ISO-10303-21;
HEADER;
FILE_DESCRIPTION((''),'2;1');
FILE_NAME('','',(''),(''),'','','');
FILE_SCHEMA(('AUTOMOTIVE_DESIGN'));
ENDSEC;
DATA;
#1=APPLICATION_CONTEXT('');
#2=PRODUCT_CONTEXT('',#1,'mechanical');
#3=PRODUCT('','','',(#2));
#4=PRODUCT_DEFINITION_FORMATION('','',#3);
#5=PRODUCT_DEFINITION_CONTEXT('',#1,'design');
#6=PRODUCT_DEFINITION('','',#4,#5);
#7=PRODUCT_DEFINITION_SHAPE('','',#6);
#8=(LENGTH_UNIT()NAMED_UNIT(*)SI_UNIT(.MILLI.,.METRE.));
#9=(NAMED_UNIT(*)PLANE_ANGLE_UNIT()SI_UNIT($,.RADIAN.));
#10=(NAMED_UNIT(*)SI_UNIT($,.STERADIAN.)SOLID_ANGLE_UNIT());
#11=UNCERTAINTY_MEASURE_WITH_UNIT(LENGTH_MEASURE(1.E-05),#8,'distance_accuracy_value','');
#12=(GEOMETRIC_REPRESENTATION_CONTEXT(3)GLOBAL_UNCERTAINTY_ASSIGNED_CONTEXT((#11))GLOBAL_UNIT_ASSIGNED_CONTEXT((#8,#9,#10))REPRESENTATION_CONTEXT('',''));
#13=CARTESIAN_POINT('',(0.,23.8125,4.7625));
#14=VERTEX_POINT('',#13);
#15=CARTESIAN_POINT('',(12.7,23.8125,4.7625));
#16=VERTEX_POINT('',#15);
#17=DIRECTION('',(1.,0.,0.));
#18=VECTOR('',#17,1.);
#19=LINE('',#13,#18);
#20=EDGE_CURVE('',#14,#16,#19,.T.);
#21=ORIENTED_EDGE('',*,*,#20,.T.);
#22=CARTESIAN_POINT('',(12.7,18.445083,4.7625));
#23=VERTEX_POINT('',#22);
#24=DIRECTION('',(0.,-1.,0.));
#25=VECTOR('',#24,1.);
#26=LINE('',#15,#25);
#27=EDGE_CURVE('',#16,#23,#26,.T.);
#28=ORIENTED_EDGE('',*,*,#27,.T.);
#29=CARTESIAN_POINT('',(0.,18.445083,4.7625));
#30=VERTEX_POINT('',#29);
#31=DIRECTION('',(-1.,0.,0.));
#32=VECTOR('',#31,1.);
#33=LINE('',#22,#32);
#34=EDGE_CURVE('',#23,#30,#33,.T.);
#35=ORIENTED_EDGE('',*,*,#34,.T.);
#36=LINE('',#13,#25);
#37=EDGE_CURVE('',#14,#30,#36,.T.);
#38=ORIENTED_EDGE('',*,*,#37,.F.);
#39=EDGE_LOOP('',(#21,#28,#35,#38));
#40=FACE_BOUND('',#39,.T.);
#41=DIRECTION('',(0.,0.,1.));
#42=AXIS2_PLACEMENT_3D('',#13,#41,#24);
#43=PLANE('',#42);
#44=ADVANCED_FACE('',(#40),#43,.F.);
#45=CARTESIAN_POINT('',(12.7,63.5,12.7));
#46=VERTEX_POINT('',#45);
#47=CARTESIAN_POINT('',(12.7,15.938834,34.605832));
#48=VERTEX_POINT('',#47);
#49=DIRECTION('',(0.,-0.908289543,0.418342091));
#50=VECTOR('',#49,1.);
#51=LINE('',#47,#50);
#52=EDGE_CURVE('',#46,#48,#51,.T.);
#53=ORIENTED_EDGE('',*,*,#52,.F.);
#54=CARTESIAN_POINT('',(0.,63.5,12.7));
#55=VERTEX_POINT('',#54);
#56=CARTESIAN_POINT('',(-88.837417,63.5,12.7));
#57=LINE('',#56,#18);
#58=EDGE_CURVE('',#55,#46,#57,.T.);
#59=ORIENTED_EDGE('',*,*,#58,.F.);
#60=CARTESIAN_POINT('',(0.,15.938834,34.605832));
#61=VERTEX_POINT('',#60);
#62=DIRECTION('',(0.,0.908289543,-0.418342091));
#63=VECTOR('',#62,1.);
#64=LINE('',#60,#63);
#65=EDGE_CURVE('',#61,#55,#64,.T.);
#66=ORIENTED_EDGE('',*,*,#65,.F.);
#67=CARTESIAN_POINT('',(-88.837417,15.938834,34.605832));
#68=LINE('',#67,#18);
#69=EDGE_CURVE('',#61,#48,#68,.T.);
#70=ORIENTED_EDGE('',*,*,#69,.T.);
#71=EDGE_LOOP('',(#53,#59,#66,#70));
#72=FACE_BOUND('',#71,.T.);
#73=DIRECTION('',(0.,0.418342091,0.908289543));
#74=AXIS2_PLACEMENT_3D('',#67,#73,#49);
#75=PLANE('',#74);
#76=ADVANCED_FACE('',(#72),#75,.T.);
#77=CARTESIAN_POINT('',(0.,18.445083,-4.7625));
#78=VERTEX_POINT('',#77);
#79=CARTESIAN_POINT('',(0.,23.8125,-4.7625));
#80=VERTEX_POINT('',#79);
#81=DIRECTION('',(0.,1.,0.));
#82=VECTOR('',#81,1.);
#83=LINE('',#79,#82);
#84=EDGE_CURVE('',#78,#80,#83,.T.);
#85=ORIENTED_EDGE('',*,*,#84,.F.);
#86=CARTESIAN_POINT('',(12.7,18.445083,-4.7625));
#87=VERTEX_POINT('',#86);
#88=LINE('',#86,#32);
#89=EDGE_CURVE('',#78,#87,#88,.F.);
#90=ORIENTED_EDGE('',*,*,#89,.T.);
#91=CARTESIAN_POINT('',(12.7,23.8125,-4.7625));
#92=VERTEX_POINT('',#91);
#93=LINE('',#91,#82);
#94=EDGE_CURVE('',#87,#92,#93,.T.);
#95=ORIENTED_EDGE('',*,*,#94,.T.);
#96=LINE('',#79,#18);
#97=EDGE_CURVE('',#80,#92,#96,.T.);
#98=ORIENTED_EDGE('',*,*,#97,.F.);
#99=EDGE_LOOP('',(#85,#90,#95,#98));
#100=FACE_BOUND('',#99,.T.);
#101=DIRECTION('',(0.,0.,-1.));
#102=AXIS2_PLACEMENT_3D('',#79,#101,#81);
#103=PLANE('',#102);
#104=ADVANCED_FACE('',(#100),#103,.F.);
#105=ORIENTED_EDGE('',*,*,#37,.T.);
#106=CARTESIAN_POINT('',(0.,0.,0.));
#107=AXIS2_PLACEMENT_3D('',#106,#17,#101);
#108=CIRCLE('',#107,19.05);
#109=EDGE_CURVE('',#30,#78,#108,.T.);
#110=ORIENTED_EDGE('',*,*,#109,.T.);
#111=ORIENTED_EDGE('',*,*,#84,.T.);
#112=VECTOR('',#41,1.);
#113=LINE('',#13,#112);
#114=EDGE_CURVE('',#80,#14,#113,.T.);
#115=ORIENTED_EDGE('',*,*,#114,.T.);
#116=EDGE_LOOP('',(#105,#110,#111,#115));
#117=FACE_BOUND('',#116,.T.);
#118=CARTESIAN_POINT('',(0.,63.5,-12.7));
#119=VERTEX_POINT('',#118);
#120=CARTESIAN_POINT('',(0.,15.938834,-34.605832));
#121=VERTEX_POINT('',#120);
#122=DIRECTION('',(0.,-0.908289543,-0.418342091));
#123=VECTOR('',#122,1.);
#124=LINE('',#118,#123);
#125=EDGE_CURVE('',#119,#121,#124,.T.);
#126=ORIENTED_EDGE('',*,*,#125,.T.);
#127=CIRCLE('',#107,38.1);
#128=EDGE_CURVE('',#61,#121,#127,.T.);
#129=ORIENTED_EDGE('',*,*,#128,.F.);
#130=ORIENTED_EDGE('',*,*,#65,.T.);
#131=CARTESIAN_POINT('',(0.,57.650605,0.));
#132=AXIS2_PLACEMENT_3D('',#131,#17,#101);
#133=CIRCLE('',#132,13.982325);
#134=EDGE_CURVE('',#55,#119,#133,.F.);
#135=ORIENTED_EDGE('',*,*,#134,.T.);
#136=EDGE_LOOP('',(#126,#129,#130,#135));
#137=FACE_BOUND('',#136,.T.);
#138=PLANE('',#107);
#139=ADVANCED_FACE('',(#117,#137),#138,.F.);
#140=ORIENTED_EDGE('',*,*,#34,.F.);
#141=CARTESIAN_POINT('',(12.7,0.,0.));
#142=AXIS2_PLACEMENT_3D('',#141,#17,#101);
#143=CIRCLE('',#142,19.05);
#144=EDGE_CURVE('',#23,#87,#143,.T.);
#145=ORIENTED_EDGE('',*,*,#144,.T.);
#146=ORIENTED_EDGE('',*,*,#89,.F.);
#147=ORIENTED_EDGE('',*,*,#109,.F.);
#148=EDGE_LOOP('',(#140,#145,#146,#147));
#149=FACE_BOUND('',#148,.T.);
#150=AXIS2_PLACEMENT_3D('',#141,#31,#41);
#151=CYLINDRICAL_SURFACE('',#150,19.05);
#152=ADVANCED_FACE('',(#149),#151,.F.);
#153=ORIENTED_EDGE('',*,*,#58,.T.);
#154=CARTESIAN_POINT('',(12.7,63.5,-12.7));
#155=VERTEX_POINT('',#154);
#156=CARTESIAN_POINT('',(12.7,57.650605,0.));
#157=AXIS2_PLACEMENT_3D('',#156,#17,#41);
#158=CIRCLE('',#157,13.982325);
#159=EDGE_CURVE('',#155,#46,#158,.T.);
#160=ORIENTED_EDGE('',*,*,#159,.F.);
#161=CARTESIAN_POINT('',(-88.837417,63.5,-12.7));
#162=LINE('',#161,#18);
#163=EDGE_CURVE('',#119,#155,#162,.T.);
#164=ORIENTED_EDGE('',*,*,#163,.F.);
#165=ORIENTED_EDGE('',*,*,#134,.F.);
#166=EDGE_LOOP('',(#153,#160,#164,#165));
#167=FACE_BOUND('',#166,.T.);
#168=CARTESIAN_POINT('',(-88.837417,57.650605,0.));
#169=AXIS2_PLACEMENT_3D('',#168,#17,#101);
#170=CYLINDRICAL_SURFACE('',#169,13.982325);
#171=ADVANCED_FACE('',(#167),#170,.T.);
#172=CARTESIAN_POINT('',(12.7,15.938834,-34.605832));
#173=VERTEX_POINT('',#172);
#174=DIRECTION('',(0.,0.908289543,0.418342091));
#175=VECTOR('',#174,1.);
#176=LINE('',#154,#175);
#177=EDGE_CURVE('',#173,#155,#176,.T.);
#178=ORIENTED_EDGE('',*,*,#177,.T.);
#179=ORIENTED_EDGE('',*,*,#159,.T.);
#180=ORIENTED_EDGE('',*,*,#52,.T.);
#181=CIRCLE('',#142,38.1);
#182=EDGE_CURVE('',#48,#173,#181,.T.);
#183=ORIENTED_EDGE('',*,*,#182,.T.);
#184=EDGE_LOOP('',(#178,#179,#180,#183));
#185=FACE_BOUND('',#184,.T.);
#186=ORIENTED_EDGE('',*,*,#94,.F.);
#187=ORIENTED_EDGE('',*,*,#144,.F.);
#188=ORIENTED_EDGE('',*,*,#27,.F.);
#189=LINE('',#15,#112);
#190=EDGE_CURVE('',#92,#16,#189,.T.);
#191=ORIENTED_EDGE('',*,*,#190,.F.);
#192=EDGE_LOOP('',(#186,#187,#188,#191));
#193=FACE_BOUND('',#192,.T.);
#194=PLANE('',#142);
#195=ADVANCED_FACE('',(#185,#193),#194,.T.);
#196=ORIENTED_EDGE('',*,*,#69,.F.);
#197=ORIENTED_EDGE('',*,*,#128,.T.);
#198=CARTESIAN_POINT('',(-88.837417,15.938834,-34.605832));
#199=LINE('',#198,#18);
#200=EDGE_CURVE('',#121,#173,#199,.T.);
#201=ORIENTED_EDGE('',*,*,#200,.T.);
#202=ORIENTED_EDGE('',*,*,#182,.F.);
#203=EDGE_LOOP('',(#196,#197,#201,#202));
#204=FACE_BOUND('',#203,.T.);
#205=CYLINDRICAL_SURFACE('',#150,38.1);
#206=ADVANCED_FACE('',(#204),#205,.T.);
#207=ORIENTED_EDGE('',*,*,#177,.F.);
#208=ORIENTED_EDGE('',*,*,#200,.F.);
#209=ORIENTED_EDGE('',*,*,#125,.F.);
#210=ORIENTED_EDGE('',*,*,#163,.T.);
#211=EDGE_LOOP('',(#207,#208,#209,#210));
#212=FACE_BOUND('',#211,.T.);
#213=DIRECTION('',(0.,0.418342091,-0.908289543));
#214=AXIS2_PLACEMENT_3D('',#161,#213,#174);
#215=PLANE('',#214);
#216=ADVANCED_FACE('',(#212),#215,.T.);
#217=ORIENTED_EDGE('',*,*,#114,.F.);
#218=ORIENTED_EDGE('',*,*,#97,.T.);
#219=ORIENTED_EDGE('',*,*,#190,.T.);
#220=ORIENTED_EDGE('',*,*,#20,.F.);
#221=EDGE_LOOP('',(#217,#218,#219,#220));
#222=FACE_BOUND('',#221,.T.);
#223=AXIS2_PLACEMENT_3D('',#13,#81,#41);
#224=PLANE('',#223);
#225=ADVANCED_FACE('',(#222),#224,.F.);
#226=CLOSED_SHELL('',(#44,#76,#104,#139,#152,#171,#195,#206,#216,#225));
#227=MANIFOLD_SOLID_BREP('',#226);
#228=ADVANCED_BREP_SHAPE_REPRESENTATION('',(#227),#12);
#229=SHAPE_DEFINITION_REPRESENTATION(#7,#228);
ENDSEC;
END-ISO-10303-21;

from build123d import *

# Parameters (mm, degrees)
SKETCH1_R           = 38.1
SKETCH1_R_2         = 19.05
BOSS_EXTRUDE1_DEPTH = 12.7
SKETCH2_W           = 9.525
SKETCH2_H           = 9.525
CUT_EXTRUDE1_DEPTH  = 13.7
BOSS_EXTRUDE2_DEPTH = 12.7


with BuildPart() as part:
    # Sketch1 → Boss-Extrude1 (new body)
    with BuildSketch(Plane(origin=(0, 0, 0), x_dir=(0, 0, -1), z_dir=(1, 0, 0))):
        Circle(SKETCH1_R)
        Circle(SKETCH1_R_2, mode=Mode.SUBTRACT)
    extrude(amount=BOSS_EXTRUDE1_DEPTH)

    # Sketch2 → Cut-Extrude1 (cut, through all)
    with BuildSketch(Plane(origin=(12.7, 0, 0), x_dir=(0, 0, -1), z_dir=(1, 0, 0))):
        with Locations((0, 19.05)):
            Rectangle(SKETCH2_W, SKETCH2_H)
    extrude(amount=-CUT_EXTRUDE1_DEPTH, mode=Mode.SUBTRACT)

    # Sketch3 → Boss-Extrude2 (add)
    with BuildSketch(Plane(origin=(12.7, 0, 0), x_dir=(0, 0, -1), z_dir=(1, 0, 0))):
        with BuildLine():
            Line((-34.605831603, 15.938833679), (-12.7, 63.5))
            ThreePointArc((-12.7, 63.5), (0, 71.632930181), (12.7, 63.5))
            Line((12.7, 63.5), (34.605831603, 15.938833679))
            ThreePointArc((34.605831603, 15.938833679), (0, 38.1), (-34.605831603, 15.938833679))
        make_face()
    extrude(amount=-BOSS_EXTRUDE2_DEPTH)


solid = part.part
